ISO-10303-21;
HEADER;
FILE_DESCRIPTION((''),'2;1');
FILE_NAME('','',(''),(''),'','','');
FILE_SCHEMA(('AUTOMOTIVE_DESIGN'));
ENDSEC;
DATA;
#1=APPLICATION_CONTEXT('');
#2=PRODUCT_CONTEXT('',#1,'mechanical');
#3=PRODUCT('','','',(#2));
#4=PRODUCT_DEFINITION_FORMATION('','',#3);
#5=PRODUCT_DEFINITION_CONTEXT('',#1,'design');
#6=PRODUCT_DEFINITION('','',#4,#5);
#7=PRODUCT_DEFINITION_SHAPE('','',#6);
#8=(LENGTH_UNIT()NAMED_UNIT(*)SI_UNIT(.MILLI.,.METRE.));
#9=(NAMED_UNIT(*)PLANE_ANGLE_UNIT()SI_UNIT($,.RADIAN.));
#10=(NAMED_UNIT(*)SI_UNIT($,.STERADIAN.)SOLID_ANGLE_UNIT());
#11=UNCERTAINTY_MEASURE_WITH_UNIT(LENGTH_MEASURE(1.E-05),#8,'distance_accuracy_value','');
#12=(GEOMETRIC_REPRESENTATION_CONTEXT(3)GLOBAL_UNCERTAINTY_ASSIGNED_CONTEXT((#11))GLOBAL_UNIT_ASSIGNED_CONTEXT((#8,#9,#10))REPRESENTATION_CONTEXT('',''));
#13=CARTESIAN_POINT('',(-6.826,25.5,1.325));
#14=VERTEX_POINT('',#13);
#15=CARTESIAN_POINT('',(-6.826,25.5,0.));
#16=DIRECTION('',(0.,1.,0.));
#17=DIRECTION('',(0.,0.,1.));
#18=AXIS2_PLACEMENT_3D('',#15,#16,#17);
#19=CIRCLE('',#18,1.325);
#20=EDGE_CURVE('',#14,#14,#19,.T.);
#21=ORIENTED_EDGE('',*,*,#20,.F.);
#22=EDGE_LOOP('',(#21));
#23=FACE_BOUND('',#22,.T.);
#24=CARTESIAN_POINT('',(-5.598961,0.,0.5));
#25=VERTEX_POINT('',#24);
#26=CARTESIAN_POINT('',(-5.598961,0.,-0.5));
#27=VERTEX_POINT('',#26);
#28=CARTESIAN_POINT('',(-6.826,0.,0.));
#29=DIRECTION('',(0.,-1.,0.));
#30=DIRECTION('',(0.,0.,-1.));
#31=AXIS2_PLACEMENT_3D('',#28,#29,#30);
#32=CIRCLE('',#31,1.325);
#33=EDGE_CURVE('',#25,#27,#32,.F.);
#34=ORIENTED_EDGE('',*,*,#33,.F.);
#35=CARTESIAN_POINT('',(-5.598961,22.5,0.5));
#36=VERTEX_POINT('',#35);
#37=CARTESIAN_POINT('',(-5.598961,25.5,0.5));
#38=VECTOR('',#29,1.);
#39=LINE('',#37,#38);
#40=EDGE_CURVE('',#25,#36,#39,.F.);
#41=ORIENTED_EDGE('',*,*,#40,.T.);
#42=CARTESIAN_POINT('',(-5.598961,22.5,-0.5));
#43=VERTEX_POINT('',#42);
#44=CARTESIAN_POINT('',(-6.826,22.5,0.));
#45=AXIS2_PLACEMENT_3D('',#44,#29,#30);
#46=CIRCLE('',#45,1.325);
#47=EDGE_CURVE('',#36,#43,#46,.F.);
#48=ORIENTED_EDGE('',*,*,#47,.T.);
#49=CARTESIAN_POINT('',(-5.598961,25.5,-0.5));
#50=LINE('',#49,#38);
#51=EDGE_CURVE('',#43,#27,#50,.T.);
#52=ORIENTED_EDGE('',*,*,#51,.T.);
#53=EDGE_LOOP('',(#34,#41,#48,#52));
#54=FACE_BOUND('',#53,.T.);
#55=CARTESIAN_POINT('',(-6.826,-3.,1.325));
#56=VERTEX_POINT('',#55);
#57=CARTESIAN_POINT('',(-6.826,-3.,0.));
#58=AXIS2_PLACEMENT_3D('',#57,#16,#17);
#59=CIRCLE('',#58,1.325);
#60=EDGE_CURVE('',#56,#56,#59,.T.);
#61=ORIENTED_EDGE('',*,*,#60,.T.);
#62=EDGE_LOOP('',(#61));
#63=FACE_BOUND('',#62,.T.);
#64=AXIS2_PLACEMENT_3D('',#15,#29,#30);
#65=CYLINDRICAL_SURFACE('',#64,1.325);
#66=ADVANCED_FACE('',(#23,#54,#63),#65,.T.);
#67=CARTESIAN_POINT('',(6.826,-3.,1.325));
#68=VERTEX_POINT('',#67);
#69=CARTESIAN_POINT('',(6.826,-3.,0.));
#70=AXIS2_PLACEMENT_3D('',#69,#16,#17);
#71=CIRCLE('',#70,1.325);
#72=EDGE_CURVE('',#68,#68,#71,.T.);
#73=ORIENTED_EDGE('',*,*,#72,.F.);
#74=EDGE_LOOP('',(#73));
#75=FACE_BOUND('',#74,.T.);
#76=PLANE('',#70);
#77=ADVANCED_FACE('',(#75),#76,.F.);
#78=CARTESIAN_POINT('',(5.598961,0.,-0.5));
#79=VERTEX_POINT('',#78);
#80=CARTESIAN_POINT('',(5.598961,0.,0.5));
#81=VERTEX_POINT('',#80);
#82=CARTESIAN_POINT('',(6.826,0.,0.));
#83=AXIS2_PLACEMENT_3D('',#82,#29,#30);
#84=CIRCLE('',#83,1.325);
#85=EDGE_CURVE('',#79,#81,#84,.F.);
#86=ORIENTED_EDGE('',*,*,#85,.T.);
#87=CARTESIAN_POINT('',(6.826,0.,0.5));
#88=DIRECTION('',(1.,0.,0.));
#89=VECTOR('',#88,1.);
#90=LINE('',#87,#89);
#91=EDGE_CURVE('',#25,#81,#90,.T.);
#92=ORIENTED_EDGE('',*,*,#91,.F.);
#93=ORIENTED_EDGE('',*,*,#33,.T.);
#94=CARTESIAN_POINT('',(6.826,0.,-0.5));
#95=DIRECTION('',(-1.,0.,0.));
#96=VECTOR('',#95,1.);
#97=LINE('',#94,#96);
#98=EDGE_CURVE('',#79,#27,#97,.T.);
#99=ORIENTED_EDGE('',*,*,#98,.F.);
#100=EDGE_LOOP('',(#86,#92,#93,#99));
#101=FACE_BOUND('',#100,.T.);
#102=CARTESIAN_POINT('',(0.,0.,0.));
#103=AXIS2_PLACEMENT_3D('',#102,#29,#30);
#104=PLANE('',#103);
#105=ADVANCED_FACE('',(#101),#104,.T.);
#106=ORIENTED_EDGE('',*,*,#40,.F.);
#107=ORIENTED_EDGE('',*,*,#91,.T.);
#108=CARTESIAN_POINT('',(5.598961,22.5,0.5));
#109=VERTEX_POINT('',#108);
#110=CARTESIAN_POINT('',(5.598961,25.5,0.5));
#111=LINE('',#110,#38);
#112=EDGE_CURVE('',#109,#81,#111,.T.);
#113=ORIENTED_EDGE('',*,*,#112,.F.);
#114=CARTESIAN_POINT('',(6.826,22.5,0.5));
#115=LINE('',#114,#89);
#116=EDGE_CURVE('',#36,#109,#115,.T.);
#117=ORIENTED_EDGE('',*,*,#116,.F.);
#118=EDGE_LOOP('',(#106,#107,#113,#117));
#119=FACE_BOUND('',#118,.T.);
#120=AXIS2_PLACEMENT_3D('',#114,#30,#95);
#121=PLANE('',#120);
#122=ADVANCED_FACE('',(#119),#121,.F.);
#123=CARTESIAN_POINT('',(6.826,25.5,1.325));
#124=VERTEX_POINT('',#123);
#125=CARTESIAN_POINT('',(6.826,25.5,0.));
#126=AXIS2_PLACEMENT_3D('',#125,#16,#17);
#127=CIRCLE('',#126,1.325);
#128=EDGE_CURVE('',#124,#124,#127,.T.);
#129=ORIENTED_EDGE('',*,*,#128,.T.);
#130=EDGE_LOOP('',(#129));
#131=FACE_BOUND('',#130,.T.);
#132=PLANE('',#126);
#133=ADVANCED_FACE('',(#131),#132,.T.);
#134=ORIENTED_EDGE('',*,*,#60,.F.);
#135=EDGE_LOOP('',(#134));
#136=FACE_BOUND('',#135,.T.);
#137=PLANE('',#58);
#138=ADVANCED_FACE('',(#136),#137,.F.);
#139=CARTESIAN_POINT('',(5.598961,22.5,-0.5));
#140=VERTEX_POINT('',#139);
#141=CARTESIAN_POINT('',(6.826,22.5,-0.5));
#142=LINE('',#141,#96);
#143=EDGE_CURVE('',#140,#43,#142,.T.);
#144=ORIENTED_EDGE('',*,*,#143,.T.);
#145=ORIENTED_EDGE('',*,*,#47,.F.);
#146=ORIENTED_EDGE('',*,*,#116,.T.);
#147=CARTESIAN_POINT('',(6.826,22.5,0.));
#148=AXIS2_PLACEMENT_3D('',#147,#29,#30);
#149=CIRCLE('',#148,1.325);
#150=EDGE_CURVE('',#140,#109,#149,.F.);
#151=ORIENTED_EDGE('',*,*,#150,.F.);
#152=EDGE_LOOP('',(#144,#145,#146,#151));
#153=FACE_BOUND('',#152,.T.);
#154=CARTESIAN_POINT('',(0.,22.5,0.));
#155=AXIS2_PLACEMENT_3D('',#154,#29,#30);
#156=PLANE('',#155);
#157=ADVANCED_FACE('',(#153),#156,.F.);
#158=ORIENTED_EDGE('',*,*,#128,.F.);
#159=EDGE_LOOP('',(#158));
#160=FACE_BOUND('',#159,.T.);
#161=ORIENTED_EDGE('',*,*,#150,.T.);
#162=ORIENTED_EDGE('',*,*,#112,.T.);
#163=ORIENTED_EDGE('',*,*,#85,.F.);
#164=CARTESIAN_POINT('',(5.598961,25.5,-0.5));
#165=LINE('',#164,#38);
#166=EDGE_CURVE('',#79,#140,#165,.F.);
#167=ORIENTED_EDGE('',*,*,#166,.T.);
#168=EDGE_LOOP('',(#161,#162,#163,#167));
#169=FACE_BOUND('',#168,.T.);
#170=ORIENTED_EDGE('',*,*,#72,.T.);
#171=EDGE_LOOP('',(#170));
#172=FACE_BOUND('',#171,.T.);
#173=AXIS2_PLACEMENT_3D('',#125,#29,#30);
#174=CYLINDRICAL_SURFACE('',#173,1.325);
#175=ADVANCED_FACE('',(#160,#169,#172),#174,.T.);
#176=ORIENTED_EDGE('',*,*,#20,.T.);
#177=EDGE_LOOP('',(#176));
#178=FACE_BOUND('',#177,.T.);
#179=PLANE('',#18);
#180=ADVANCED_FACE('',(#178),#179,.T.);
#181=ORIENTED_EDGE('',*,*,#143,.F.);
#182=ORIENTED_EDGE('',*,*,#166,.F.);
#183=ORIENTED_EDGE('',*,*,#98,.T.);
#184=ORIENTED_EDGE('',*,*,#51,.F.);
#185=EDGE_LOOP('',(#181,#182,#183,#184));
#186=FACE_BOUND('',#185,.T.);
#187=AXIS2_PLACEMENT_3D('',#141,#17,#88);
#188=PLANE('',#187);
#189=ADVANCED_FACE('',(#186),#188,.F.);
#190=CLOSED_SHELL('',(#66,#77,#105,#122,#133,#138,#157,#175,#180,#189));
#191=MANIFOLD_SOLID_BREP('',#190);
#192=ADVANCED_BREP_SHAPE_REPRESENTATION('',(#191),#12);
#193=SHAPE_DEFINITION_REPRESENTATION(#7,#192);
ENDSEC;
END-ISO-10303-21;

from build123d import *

# Parameters (mm, degrees)
SKETCH1_W           = 13.652
SKETCH1_H           = 1
BOSS_EXTRUDE1_DEPTH = 22.5
SKETCH2_R           = 1.325
BOSS_EXTRUDE2_DEPTH = 14.25


with BuildPart() as part:
    # Sketch1 → Boss-Extrude1 (new body)
    with BuildSketch(Plane(origin=(0, 0, 0), x_dir=(1, 0, 0), z_dir=(0, 1, 0))):
        Rectangle(SKETCH1_W, SKETCH1_H)
    extrude(amount=BOSS_EXTRUDE1_DEPTH)

    # Sketch2 → Boss-Extrude2 (add, symmetric)
    with BuildSketch(Plane(origin=(0, 11.25, 0), x_dir=(1, 0, 0), z_dir=(0, 1, 0))):
        with Locations(Location((-6.826, 0, 0), (0, 0, 270))):
            Circle(SKETCH2_R)
        with Locations(Location((6.826, 0, 0), (0, 0, 270))):
            Circle(SKETCH2_R)
    extrude(amount=BOSS_EXTRUDE2_DEPTH, both=True)


solid = part.part
